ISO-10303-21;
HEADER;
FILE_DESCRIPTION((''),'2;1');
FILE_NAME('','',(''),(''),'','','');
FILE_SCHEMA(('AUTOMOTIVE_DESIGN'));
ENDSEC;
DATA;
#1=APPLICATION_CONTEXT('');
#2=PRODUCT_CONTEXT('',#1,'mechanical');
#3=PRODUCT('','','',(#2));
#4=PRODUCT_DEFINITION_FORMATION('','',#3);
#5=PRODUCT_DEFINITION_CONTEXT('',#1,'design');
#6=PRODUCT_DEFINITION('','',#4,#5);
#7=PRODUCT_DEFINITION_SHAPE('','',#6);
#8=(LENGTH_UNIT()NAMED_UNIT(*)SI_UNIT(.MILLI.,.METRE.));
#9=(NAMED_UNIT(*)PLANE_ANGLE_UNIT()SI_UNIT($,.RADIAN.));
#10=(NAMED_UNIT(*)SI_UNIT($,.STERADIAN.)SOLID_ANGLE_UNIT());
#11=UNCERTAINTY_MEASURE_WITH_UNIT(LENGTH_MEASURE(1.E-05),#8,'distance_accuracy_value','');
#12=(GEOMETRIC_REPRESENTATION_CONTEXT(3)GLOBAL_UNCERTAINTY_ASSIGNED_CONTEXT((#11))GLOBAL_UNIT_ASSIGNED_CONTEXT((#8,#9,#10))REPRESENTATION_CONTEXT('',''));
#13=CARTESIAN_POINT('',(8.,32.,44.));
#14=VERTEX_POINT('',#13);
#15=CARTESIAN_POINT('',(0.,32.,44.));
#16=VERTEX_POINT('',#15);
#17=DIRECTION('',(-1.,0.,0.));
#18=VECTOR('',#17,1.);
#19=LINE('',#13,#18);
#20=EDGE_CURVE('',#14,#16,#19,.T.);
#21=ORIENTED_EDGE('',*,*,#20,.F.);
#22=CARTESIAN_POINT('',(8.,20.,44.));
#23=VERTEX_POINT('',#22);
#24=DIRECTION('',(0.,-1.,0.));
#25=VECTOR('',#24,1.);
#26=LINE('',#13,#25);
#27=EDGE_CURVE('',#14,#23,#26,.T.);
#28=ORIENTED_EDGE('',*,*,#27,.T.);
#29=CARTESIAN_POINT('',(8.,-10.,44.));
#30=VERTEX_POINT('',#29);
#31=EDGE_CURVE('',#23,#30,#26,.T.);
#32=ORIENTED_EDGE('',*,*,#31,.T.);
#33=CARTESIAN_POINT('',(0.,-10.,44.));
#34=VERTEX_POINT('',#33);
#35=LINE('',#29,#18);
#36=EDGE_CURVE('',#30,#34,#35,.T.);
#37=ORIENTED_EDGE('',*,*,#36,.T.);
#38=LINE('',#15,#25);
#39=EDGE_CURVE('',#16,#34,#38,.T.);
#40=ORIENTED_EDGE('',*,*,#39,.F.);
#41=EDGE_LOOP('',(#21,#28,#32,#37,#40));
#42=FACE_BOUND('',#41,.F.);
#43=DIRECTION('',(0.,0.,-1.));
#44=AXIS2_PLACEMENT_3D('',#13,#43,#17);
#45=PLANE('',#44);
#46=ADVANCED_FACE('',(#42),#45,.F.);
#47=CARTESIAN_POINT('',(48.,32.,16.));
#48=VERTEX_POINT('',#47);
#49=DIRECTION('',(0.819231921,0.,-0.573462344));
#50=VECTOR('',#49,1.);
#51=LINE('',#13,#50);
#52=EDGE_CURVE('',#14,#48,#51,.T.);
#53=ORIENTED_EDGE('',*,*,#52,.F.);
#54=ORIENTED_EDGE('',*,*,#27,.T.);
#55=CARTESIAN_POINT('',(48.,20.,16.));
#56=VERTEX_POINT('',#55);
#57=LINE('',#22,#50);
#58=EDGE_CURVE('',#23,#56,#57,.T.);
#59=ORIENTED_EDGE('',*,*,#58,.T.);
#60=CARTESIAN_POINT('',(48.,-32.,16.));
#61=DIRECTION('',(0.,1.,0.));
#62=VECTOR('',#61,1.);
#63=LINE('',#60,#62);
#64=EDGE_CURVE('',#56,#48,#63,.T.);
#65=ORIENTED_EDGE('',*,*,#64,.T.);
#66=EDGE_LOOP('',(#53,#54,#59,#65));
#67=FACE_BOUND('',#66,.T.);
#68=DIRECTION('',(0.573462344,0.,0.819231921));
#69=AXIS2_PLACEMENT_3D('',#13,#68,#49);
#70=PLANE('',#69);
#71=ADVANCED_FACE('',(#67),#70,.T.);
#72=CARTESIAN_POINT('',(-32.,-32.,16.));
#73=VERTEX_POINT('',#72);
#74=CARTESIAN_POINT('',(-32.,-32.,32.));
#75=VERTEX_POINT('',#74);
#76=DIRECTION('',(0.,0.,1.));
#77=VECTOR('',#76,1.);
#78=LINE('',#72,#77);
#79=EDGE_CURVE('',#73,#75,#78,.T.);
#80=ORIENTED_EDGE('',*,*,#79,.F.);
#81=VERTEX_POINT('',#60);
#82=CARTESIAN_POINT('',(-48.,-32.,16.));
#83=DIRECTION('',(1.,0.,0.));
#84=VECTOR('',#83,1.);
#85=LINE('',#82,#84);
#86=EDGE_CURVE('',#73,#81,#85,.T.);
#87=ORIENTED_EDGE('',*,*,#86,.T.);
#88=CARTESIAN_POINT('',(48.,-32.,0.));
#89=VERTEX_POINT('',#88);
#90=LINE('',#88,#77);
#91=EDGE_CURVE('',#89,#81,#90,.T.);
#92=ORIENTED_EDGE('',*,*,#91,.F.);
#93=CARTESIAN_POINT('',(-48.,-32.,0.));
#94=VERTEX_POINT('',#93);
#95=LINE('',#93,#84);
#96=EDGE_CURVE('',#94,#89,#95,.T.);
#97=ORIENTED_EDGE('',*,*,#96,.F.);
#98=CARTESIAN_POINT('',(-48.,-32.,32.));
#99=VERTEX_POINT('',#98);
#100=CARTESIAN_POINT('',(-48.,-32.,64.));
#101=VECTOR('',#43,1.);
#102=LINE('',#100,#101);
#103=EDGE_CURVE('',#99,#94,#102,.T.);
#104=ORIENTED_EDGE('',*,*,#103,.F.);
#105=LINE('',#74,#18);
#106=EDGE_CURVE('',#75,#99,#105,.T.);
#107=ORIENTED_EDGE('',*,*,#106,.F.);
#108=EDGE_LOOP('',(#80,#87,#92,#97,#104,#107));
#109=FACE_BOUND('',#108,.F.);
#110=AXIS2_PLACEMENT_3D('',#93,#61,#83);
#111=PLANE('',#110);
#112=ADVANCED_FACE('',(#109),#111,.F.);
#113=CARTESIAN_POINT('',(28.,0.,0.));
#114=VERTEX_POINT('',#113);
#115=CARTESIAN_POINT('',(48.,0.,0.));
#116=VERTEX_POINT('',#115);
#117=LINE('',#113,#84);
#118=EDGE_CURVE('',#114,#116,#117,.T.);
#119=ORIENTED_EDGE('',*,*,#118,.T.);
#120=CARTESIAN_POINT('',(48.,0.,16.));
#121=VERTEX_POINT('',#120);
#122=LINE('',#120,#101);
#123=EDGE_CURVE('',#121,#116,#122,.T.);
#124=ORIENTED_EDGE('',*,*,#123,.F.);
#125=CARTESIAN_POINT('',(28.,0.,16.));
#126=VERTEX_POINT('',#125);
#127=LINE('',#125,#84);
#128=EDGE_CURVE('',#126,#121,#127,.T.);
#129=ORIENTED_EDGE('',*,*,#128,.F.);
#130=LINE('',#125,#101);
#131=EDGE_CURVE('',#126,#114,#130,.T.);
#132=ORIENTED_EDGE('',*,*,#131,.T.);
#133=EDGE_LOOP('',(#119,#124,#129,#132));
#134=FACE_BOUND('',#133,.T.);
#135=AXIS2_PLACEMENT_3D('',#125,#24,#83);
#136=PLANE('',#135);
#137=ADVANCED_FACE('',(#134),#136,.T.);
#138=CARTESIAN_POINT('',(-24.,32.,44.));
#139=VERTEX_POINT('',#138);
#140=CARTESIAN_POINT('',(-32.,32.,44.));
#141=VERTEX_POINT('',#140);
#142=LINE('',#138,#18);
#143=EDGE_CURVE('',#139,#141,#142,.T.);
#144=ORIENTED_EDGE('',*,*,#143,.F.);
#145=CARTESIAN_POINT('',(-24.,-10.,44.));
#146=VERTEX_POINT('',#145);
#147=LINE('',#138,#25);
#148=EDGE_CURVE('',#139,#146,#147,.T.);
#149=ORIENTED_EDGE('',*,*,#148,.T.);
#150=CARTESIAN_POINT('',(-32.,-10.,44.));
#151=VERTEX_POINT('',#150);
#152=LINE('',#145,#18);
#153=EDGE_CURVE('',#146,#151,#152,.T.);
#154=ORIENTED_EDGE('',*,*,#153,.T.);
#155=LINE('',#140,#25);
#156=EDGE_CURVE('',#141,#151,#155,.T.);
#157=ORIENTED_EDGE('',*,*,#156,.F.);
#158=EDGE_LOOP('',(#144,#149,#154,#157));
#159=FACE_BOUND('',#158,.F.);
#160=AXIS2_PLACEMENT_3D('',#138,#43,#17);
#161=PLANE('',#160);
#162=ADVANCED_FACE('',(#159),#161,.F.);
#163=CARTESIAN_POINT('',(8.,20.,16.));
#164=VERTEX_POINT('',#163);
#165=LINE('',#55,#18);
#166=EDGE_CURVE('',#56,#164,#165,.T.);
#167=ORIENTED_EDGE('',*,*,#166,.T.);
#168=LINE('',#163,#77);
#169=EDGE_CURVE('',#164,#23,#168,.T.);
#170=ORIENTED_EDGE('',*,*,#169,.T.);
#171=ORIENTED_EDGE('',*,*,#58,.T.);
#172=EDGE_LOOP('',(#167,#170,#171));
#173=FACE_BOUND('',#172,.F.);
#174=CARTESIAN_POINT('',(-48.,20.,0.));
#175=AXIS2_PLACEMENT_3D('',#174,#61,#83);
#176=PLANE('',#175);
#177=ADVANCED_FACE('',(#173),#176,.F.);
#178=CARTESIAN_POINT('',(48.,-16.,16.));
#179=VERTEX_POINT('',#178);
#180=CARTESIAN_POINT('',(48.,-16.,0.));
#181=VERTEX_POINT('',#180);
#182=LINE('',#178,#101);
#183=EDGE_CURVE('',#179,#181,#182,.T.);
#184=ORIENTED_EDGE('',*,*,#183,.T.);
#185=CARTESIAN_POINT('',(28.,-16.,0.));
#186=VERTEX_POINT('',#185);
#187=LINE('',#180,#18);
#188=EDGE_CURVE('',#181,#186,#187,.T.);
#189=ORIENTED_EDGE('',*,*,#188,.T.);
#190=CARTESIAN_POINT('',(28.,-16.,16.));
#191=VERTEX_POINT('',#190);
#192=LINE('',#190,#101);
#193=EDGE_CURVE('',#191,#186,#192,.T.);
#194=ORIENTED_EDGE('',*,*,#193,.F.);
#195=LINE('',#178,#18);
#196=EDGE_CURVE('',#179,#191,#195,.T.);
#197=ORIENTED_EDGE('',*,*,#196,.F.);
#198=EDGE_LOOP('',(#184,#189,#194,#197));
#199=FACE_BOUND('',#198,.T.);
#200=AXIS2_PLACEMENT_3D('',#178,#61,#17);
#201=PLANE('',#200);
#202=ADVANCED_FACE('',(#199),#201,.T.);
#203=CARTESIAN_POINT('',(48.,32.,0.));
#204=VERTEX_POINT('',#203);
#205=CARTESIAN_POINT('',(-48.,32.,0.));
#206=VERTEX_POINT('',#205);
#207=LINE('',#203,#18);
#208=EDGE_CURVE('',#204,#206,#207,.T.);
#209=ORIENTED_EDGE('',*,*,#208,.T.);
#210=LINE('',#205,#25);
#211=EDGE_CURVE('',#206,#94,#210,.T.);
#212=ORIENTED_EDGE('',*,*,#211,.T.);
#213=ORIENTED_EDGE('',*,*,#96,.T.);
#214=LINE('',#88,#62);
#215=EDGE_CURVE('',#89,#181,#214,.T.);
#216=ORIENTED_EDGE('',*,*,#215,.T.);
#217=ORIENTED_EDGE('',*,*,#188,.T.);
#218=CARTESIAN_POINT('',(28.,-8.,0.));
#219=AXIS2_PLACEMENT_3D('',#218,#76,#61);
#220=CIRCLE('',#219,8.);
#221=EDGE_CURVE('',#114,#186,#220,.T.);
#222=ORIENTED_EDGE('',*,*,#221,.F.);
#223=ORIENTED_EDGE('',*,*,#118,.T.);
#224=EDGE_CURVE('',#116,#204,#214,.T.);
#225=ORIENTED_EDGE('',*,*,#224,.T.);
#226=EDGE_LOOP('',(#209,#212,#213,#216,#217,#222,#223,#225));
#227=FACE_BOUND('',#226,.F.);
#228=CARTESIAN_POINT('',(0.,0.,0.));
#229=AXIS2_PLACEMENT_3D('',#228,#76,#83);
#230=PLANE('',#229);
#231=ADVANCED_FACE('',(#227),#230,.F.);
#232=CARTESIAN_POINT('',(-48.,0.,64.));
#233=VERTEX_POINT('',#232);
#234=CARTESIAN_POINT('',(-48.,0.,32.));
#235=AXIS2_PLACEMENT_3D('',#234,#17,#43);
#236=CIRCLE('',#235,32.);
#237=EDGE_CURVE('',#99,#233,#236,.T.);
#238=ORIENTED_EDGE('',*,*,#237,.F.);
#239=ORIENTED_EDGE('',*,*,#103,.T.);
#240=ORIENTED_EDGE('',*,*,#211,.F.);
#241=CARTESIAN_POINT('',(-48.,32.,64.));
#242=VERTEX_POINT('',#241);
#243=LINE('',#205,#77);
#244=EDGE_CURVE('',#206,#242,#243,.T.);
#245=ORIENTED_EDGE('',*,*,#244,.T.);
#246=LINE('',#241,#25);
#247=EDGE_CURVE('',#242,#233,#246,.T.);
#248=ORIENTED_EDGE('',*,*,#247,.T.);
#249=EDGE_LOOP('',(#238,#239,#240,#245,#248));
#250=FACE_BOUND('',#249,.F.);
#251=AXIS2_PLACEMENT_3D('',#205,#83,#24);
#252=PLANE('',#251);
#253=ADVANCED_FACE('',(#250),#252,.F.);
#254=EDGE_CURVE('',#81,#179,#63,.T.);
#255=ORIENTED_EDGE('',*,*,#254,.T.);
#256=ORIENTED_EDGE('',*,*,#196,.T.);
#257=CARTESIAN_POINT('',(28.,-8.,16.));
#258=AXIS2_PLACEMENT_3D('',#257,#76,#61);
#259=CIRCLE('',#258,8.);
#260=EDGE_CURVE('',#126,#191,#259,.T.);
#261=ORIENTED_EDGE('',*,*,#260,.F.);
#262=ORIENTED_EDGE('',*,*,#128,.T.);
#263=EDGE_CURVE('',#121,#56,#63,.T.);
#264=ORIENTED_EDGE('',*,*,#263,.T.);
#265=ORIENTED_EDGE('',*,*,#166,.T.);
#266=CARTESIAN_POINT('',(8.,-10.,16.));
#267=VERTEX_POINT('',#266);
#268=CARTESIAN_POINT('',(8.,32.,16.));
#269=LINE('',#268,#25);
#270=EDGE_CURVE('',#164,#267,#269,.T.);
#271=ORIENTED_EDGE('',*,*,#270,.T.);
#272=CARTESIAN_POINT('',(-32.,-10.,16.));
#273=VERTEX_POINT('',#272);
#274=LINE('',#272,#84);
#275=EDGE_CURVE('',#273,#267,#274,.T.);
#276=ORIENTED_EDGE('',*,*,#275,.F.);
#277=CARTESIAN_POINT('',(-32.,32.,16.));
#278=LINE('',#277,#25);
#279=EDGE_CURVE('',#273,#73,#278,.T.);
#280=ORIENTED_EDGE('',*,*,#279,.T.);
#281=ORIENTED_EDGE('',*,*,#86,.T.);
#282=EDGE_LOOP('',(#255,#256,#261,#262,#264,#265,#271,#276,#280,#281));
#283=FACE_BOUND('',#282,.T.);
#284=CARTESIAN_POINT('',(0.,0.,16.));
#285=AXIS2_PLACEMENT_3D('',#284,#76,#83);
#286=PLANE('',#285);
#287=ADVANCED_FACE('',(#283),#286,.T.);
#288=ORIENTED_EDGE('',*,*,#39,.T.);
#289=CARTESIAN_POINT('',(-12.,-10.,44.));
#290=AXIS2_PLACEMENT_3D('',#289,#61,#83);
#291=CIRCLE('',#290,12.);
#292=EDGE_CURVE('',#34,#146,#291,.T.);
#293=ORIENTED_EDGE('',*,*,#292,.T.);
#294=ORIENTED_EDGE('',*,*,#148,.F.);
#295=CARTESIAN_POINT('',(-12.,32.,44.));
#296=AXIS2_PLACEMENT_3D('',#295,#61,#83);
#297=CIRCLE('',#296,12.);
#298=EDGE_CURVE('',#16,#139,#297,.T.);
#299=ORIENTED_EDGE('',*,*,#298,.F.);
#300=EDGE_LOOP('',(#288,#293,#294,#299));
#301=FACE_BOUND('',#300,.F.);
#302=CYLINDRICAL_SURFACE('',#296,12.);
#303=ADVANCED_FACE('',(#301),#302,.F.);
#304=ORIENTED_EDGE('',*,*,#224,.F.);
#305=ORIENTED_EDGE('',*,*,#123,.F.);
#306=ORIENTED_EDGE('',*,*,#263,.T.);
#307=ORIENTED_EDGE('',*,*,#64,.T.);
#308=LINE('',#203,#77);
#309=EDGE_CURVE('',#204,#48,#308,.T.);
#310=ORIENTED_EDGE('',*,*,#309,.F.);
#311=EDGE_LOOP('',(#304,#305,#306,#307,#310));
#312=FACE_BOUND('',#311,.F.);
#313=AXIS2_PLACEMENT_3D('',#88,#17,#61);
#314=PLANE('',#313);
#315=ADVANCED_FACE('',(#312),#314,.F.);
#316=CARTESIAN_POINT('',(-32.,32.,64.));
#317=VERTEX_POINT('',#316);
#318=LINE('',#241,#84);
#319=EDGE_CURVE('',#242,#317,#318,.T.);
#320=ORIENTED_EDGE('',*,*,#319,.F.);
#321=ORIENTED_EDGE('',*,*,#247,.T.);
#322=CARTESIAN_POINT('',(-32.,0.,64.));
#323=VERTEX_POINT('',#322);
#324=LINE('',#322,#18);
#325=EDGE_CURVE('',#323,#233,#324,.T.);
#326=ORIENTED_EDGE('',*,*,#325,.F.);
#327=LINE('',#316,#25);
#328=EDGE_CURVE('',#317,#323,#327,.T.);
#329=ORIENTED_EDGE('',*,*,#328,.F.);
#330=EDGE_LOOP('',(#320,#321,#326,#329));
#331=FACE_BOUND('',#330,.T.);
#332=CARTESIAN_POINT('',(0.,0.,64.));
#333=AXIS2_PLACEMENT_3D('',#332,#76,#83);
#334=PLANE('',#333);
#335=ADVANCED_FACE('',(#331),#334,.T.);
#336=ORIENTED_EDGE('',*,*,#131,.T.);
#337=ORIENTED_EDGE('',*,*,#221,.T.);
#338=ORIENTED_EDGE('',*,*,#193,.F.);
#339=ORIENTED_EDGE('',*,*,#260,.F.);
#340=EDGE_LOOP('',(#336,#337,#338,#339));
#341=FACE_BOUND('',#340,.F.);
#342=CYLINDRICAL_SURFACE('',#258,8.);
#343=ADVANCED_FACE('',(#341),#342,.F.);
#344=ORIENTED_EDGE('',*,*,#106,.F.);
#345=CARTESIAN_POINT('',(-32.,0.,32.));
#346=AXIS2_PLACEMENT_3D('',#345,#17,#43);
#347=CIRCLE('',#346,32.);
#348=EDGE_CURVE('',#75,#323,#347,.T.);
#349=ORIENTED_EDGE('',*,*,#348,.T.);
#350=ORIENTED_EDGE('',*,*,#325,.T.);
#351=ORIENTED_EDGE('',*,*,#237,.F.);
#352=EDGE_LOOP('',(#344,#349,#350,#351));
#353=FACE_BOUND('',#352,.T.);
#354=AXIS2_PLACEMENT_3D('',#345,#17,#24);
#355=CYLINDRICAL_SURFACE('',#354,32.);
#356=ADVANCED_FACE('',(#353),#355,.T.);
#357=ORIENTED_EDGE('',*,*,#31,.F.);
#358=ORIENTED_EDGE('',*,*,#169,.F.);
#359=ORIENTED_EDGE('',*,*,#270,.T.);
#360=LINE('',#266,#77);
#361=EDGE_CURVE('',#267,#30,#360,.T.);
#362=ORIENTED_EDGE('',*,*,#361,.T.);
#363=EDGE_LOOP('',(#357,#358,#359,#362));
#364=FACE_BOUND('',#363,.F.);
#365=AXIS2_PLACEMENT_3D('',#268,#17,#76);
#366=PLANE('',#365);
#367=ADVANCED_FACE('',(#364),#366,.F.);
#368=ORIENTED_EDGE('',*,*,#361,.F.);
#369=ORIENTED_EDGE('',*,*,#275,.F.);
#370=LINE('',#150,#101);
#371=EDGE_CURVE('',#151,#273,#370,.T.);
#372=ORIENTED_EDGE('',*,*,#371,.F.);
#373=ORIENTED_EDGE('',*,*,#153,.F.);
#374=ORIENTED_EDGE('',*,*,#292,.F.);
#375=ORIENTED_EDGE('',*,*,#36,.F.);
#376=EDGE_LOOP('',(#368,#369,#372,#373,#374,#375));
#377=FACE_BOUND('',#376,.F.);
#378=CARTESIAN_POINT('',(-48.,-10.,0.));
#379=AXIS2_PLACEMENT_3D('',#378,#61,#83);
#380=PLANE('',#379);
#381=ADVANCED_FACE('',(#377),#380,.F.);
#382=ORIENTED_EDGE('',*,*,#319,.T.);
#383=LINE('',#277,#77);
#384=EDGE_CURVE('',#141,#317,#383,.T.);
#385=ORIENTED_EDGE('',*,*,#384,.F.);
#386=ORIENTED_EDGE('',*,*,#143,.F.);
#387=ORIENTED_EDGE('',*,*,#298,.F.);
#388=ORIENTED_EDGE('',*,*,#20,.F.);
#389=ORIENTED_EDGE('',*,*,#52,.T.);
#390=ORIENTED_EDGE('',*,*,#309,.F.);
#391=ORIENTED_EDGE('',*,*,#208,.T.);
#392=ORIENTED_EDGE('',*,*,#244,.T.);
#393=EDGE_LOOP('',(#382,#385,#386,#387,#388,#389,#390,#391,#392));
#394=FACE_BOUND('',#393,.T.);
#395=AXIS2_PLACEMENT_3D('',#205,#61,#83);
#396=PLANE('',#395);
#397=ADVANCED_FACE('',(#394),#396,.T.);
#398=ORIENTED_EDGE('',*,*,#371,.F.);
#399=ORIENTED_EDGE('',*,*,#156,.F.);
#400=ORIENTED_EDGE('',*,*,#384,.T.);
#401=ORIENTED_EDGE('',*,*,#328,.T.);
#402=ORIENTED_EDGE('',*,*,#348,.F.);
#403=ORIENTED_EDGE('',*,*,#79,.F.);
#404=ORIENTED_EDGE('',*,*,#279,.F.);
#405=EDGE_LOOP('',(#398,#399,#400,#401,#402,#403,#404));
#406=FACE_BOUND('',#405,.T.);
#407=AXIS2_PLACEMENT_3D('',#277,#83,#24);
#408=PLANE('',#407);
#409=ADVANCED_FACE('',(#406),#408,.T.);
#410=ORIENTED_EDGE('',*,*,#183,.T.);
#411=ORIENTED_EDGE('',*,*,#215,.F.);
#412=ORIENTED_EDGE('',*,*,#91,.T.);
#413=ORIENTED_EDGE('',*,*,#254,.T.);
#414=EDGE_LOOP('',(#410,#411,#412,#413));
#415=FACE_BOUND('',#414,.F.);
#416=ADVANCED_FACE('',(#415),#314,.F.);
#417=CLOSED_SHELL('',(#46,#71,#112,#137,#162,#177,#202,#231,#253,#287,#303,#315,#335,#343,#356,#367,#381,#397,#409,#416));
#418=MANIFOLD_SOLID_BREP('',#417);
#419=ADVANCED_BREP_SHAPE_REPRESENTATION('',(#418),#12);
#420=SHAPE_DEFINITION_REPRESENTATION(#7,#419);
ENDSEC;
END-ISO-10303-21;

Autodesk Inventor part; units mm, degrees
ref_plane "YZ Plane" through (0, 0, 0) normal (1, 0, 0) x (0, 1, 0)
ref_plane "XZ Plane" through (0, 0, 0) normal (0, 1, 0) x (-1, 0, 0)
ref_plane "XY Plane" through (0, 0, 0) normal (0, 0, 1) x (1, 0, 0)
sketch "Sketch1" plane through (0, 0, 0) normal (0, 0, 1) x (1, 0, 0)
  line L0 (48, 32) -> (-48, 32)
  line L1 (-48, 32) -> (-48, -32)
  line L2 (-48, -32) -> (48, -32)
  line L3 (48, -32) -> (48, 32)
  line L4 (48, 32) -> (-48, -32) construction
  line L5 (-48, 32) -> (48, -32) construction
  point P0 (0, 0)
  dimension "d0" = 96
  dimension "d1" = 64
extrude "Extrusion1" add sketch "Sketch1" along normal blind 16
sketch "Sketch2" plane through (0, 0, 16) normal (0, 0, 1) x (1, 0, 0)
  line L0 (-48, 32) -> (-48, -32) projected
  line L1 (-48, 32) -> (-32, 32)
  line L2 (-32, 32) -> (-32, -32)
  line L3 (-32, -32) -> (-48, -32)
  line L4 (-48, -32) -> (-48, 32)
  line L5 (-48, -32) -> (48, -32) projected
  point P0 (0, 0)
  dimension "d4" = 16
extrude "Extrusion2" add sketch "Sketch2" along normal blind 48
fillet "Fillet1" radius 32 1 edges at (-40, -32, 64)
sketch "Sketch3" plane through (-48, 32, 0) normal (0, 1, 0) x (1, 0, 0)
  point P0 (48, 0)
sketch "Sketch4" plane through (-48, 32, 0) normal (0, 1, 0) x (1, 0, 0)
  point P0 (48, 0)
sketch "Sketch5" plane through (-48, 32, 0) normal (0, 1, 0) x (1, 0, 0)
  line L0 (16, -16) -> (96, -16) projected
  line L1 (16, -16) -> (56, -16)
  line L2 (56, -16) -> (56, -44)
  line L3 (16, -44) -> (16, -16)
  arc A0 (48, -44) -> (24, -44) centre (36, -44) ccw
  line L4 (56, -44) -> (48, -44)
  line L5 (24, -44) -> (16, -44)
  point P0 (48, 0)
  dimension "d8" = 40
  dimension "d9" = 28
  dimension "d10" = 24
extrude "Extrusion3" add sketch "Sketch5" against normal blind 42
sketch "Sketch6" plane through (-48, 32, 0) normal (0, 1, 0) x (1, 0, 0)
  line L0 (48, -44) -> (56, -44) projected
  line L1 (96, -16) -> (56, -16) projected
  line L2 (56, -44) -> (96, -16)
  line L3 (96, -16) -> (56, -16)
  line L4 (56, -16) -> (56, -44) projected
  line L5 (56, -16) -> (56, -44)
  point P0 (48, 0)
extrude "Extrusion4" add sketch "Sketch6" against normal blind 12
sketch "Sketch7" plane through (0, 0, 16) normal (0, 0, 1) x (1, 0, 0)
  line L0 (48, -32) -> (48, 32) projected
  line L1 (48, -16) -> (28, -16)
  arc A0 (28, 0) -> (28, -16) centre (28, -8) ccw
  line L2 (28, 0) -> (48, 0)
  point P0 (0, 0)
  dimension "d15" = 20
  dimension "d16" = 16
  dimension "d17" = 16
extrude "Extrusion5" cut sketch "Sketch7" against normal blind 16
properties part number "Exercise 1" material "Glass"
